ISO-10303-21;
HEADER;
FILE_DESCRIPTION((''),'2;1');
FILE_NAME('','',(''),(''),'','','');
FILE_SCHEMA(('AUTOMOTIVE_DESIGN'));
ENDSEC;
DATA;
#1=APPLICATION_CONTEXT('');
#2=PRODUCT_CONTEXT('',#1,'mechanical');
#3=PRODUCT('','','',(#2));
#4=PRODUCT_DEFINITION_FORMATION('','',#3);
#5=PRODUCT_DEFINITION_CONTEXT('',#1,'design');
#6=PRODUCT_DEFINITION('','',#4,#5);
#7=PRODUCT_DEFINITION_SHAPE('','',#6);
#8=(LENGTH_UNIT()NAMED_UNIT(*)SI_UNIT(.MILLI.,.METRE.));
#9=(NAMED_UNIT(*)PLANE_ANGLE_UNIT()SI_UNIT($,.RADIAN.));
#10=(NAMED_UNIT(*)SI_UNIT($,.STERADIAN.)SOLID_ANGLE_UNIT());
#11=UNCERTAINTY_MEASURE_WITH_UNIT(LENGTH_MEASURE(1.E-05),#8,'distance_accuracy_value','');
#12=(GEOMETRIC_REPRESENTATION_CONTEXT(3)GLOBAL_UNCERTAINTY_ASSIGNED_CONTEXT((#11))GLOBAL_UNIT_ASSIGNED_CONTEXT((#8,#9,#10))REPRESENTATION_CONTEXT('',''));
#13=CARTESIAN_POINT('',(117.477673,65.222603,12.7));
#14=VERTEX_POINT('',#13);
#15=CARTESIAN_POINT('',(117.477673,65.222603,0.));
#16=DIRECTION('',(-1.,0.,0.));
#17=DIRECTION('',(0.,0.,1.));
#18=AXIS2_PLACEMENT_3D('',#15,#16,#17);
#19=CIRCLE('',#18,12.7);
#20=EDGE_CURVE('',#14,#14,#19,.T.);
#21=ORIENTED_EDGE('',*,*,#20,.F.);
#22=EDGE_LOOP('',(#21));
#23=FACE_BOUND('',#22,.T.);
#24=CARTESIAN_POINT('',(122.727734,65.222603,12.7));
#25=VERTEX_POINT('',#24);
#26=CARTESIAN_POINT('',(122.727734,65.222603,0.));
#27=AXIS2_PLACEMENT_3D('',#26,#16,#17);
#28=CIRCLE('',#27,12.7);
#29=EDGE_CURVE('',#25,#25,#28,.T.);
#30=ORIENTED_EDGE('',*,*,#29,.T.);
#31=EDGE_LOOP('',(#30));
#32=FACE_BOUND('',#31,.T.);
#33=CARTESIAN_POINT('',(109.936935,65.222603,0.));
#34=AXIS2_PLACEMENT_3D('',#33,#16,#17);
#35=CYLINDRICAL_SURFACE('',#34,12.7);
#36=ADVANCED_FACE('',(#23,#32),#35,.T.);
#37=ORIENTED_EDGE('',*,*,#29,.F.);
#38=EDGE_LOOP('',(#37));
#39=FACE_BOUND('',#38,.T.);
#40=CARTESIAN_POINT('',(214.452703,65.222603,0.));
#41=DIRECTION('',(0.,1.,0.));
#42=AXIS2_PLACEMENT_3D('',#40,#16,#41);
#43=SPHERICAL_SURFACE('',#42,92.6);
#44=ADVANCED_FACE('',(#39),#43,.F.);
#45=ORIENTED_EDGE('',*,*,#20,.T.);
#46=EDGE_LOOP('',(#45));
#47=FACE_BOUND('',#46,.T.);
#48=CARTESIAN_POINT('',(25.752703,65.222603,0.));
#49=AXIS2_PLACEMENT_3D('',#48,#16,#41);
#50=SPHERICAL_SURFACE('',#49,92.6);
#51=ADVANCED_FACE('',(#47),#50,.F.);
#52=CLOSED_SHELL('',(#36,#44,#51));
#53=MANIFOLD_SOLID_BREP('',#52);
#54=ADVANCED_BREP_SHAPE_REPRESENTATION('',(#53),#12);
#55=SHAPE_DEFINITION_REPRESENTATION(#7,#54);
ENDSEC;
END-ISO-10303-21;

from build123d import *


with BuildPart() as part:
    # 草图1 → 旋转1 (revolve)
    with BuildSketch(Plane.XY):
        with BuildLine():
            Line((121.852703446, 65.222602873), (118.352703446, 65.222602873))
            ThreePointArc((118.352703446, 65.222602873), (118.133686773, 71.587657442), (117.477672784, 77.922602873))
            Line((117.477672784, 77.922602873), (120.102703446, 77.922602873))
            Line((120.102703446, 77.922602873), (122.727734109, 77.922602873))
            ThreePointArc((122.727734109, 77.922602873), (122.07172012, 71.587657442), (121.852703446, 65.222602873))
        make_face()
    revolve(axis=Axis((109.936935226, 65.222602873, 0), (1, 0, 0)))


solid = part.part
